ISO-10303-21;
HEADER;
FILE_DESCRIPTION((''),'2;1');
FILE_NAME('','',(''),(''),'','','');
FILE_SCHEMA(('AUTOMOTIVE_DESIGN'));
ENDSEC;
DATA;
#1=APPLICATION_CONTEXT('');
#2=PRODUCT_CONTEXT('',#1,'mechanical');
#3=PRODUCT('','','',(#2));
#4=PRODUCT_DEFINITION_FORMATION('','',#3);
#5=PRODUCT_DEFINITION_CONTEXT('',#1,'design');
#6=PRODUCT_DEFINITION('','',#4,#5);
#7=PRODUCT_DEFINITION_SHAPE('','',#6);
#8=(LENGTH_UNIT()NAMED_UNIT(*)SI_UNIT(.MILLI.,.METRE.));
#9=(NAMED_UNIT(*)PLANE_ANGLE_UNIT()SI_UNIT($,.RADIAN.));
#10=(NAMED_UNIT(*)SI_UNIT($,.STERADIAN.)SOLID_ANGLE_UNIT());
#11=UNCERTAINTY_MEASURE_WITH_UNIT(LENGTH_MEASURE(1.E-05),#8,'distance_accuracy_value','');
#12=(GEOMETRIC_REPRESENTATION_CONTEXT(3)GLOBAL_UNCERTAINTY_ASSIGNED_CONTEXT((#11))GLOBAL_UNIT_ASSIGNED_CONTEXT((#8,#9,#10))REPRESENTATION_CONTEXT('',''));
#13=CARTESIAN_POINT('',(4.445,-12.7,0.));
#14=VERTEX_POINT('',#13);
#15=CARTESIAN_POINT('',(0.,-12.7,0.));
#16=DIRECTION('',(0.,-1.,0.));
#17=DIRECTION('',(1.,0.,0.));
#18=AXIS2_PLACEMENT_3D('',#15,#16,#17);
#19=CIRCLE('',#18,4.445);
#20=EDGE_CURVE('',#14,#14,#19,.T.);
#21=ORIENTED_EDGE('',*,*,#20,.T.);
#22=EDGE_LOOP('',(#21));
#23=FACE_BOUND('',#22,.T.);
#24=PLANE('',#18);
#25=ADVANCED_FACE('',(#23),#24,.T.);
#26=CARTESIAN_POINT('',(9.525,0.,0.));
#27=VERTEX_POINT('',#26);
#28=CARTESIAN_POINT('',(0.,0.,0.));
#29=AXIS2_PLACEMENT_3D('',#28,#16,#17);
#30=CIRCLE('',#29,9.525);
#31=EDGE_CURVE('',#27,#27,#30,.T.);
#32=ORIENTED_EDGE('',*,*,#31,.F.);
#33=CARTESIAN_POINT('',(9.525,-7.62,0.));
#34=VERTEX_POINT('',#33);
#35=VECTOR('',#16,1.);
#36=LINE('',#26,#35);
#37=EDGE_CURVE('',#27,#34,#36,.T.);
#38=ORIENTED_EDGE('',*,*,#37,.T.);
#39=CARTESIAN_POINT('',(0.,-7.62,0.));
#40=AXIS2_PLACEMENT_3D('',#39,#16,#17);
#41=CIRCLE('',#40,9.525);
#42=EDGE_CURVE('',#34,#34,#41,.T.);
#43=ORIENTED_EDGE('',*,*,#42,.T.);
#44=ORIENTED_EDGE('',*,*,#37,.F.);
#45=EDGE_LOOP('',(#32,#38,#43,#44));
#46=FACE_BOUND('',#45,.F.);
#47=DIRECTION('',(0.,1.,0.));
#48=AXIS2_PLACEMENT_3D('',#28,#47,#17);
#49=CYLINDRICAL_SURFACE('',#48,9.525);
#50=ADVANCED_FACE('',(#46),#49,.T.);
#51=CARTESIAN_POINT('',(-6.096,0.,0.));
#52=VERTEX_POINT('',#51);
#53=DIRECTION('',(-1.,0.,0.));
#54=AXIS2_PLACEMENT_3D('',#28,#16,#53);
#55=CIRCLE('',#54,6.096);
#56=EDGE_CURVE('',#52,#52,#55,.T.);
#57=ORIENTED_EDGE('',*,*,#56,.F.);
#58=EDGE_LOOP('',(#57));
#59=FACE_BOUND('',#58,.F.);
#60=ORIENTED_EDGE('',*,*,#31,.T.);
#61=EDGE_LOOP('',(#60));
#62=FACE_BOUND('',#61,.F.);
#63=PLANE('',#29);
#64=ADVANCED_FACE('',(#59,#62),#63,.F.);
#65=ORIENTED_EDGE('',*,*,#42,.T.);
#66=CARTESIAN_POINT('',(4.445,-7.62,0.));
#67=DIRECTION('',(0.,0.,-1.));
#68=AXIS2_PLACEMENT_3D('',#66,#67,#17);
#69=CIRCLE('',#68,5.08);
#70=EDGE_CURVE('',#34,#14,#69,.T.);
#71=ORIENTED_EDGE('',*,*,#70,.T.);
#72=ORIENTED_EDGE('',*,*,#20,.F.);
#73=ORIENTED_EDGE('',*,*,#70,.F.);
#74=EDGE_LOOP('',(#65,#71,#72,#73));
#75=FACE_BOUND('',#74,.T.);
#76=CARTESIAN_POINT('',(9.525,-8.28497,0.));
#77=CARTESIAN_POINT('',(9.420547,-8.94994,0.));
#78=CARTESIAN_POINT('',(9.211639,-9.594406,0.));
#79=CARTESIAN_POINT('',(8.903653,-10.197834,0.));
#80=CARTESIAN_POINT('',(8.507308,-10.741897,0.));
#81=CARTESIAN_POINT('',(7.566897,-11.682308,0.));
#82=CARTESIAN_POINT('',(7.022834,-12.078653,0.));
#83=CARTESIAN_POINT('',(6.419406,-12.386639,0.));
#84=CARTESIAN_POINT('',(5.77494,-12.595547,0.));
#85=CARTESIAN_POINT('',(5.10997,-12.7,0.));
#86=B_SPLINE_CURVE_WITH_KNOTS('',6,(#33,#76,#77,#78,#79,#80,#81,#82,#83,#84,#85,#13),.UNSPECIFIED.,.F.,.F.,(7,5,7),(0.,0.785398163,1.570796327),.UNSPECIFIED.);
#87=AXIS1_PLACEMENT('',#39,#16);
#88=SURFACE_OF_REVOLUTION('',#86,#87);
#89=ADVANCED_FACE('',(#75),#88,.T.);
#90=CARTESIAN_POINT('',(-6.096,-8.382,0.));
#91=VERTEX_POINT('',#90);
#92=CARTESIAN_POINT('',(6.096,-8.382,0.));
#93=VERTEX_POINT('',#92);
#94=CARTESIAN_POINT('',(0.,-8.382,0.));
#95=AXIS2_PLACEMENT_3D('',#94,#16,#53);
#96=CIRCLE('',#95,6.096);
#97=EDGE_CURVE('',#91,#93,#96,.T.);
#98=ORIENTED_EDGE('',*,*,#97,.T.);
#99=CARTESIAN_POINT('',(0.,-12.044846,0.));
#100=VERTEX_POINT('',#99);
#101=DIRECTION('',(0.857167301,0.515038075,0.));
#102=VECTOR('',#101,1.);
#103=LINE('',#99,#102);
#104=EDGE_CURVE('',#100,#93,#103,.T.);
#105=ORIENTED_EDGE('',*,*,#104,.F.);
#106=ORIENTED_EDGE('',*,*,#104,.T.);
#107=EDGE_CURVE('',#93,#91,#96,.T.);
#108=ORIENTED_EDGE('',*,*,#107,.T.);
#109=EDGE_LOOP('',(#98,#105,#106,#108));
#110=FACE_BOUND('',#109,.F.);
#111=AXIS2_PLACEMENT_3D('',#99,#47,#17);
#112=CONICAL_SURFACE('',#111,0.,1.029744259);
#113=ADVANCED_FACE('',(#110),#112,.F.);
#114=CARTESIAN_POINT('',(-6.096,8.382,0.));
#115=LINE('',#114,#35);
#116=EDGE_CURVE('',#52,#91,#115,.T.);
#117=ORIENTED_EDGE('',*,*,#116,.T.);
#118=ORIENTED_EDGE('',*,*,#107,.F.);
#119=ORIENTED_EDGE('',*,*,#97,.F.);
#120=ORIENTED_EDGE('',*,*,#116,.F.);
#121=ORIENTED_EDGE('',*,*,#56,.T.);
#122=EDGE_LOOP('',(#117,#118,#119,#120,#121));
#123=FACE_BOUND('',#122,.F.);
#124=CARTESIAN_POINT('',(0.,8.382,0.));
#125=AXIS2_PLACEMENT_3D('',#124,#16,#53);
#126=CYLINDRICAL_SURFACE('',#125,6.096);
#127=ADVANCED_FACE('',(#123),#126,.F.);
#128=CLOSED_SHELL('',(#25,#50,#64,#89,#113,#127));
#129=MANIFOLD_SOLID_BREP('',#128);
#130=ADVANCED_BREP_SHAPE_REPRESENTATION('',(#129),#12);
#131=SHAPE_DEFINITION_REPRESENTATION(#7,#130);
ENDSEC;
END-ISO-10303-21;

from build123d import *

# Parameters (mm, degrees)
F0_R     = 9.525
F0_R_2   = 6.096
F1_DEPTH = 12.7
F2_R     = 5.08
F3_D     = 12.192
F3_DEPTH = 8.382
F3_TIP   = 3.6628463336


with BuildPart() as f1:
    # F0 (on Front) → F1 (new body)
    with BuildSketch(Plane.XZ):
        Circle(F0_R)
        Circle(F0_R_2, mode=Mode.SUBTRACT)
        Circle(F0_R_2)
    extrude(amount=F1_DEPTH)

    # F2
    f2_edges = [f1.edges().sort_by_distance(p)[0] for p in [
        (-9.525, -12.7, 0),
    ]]
    fillet(f2_edges, radius=F2_R)

    # F3
    with Locations(Plane(origin=(0, 0, 0), x_dir=(1, 0, 0), z_dir=(0, 1, 0))):
        with Locations((0, 0)):
            Hole(F3_D / 2, depth=F3_DEPTH)
            with Locations((0, 0, -(F3_DEPTH + F3_TIP / 2))):  # 118° drill point
                Cone(0, F3_D / 2, F3_TIP, mode=Mode.SUBTRACT)


solid = f1.part
